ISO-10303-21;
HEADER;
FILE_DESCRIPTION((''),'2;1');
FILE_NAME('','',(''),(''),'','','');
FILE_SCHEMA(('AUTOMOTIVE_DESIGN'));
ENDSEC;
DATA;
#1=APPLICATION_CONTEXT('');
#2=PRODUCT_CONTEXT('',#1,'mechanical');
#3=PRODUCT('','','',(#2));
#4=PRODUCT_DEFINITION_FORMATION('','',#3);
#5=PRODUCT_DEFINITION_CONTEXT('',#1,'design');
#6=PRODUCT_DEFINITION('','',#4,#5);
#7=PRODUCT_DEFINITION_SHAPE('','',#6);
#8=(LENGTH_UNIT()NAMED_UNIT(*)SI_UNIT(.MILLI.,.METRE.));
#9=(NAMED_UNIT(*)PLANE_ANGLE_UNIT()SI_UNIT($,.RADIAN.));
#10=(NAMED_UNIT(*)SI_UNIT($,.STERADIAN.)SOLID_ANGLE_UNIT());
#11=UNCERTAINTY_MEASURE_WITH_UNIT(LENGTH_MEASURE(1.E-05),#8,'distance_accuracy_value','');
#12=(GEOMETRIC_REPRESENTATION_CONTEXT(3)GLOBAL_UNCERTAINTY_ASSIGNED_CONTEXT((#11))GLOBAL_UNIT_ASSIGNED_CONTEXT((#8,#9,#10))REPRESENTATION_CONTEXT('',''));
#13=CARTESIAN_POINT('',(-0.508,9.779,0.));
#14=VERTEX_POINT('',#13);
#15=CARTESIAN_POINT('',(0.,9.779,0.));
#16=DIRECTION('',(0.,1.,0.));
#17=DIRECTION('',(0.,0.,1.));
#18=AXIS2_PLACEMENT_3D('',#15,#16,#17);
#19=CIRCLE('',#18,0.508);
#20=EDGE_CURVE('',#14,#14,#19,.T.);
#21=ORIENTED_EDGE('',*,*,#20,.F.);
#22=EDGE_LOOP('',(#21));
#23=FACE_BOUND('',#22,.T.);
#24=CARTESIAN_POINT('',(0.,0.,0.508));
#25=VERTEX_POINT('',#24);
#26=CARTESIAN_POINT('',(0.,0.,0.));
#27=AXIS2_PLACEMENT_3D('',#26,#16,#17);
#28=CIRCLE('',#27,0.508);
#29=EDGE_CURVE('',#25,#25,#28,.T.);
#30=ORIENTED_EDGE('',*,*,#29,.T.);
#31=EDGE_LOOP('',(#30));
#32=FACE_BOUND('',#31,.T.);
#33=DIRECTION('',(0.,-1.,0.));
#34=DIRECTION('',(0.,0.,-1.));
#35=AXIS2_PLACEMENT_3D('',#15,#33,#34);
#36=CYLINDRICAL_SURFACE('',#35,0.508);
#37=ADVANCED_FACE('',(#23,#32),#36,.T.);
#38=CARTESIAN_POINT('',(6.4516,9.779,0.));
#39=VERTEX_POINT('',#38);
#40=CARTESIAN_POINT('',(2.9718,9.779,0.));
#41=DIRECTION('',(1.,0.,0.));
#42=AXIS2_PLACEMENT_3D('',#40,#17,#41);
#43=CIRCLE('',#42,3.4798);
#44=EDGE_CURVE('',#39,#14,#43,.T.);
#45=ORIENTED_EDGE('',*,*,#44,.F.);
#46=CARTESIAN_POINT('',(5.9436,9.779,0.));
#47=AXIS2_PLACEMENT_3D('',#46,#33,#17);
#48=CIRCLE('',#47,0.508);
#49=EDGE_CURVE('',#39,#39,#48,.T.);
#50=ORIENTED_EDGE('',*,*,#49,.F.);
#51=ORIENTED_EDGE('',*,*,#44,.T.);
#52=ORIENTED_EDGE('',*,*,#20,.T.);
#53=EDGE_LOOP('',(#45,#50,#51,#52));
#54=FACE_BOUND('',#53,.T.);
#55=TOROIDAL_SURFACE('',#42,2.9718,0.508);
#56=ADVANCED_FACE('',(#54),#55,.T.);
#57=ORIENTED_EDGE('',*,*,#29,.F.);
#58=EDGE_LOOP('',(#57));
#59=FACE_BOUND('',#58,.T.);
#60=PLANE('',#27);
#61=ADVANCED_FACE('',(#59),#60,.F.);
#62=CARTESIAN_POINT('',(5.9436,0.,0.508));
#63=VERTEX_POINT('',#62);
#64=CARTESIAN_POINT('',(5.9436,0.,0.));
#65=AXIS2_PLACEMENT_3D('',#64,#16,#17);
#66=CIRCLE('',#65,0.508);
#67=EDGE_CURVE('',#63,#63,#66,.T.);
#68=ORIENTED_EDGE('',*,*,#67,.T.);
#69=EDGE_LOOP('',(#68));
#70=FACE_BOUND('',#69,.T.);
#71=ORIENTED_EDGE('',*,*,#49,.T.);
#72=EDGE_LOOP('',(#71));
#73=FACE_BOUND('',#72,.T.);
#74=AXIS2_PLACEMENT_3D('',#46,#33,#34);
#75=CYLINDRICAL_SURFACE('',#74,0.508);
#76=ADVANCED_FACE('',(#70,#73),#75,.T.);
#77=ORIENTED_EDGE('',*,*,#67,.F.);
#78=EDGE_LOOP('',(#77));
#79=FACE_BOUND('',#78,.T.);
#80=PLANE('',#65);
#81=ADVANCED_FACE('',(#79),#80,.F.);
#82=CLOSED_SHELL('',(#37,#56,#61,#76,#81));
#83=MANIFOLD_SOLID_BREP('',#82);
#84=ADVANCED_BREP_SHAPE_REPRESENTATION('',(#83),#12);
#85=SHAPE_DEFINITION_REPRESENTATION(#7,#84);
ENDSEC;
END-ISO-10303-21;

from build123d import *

# Parameters (mm, degrees)
SKETCH1_R             = 0.508
BOSS_EXTRUDE1_DEPTH   = 9.779
BOSS_EXTRUDE1_2_DEPTH = 9.779
SKETCH4_R             = 0.508


with BuildPart() as part:
    # Sketch1 → Boss-Extrude1 (new body)
    with BuildSketch(Plane(origin=(0, 0, 0), x_dir=(1, 0, 0), z_dir=(0, 1, 0))):
        with Locations(Location((0, 0, 0), (0, 0, 270))):
            Circle(SKETCH1_R)
    extrude(amount=BOSS_EXTRUDE1_DEPTH)



with BuildPart() as body_2:
    # Sketch1 → Boss-Extrude1 2 (new body)
    with BuildSketch(Plane(origin=(0, 0, 0), x_dir=(1, 0, 0), z_dir=(0, 1, 0))):
        with Locations(Location((5.9436, 0, 0), (0, 0, 270))):
            Circle(SKETCH1_R)
    extrude(amount=BOSS_EXTRUDE1_2_DEPTH)


with BuildPart() as part_1:
    add(part.part)

    add(body_2.part)  # Sweep1 merges body 2
    # Sweep1: sweep along a path in Sketch3
    with BuildLine(Plane.XY) as sweep1_path:
        ThreePointArc((0, 9.779), (2.9718, 12.7508), (5.9436, 9.779))
    # Sketch4 → Sweep1 (sweep)
    with BuildSketch(Plane(origin=(0, 9.779, 0), x_dir=(1, 0, 0), z_dir=(0, 1, 0))):
        Circle(SKETCH4_R)
    sweep(path=sweep1_path.line)


solid = part_1.part
